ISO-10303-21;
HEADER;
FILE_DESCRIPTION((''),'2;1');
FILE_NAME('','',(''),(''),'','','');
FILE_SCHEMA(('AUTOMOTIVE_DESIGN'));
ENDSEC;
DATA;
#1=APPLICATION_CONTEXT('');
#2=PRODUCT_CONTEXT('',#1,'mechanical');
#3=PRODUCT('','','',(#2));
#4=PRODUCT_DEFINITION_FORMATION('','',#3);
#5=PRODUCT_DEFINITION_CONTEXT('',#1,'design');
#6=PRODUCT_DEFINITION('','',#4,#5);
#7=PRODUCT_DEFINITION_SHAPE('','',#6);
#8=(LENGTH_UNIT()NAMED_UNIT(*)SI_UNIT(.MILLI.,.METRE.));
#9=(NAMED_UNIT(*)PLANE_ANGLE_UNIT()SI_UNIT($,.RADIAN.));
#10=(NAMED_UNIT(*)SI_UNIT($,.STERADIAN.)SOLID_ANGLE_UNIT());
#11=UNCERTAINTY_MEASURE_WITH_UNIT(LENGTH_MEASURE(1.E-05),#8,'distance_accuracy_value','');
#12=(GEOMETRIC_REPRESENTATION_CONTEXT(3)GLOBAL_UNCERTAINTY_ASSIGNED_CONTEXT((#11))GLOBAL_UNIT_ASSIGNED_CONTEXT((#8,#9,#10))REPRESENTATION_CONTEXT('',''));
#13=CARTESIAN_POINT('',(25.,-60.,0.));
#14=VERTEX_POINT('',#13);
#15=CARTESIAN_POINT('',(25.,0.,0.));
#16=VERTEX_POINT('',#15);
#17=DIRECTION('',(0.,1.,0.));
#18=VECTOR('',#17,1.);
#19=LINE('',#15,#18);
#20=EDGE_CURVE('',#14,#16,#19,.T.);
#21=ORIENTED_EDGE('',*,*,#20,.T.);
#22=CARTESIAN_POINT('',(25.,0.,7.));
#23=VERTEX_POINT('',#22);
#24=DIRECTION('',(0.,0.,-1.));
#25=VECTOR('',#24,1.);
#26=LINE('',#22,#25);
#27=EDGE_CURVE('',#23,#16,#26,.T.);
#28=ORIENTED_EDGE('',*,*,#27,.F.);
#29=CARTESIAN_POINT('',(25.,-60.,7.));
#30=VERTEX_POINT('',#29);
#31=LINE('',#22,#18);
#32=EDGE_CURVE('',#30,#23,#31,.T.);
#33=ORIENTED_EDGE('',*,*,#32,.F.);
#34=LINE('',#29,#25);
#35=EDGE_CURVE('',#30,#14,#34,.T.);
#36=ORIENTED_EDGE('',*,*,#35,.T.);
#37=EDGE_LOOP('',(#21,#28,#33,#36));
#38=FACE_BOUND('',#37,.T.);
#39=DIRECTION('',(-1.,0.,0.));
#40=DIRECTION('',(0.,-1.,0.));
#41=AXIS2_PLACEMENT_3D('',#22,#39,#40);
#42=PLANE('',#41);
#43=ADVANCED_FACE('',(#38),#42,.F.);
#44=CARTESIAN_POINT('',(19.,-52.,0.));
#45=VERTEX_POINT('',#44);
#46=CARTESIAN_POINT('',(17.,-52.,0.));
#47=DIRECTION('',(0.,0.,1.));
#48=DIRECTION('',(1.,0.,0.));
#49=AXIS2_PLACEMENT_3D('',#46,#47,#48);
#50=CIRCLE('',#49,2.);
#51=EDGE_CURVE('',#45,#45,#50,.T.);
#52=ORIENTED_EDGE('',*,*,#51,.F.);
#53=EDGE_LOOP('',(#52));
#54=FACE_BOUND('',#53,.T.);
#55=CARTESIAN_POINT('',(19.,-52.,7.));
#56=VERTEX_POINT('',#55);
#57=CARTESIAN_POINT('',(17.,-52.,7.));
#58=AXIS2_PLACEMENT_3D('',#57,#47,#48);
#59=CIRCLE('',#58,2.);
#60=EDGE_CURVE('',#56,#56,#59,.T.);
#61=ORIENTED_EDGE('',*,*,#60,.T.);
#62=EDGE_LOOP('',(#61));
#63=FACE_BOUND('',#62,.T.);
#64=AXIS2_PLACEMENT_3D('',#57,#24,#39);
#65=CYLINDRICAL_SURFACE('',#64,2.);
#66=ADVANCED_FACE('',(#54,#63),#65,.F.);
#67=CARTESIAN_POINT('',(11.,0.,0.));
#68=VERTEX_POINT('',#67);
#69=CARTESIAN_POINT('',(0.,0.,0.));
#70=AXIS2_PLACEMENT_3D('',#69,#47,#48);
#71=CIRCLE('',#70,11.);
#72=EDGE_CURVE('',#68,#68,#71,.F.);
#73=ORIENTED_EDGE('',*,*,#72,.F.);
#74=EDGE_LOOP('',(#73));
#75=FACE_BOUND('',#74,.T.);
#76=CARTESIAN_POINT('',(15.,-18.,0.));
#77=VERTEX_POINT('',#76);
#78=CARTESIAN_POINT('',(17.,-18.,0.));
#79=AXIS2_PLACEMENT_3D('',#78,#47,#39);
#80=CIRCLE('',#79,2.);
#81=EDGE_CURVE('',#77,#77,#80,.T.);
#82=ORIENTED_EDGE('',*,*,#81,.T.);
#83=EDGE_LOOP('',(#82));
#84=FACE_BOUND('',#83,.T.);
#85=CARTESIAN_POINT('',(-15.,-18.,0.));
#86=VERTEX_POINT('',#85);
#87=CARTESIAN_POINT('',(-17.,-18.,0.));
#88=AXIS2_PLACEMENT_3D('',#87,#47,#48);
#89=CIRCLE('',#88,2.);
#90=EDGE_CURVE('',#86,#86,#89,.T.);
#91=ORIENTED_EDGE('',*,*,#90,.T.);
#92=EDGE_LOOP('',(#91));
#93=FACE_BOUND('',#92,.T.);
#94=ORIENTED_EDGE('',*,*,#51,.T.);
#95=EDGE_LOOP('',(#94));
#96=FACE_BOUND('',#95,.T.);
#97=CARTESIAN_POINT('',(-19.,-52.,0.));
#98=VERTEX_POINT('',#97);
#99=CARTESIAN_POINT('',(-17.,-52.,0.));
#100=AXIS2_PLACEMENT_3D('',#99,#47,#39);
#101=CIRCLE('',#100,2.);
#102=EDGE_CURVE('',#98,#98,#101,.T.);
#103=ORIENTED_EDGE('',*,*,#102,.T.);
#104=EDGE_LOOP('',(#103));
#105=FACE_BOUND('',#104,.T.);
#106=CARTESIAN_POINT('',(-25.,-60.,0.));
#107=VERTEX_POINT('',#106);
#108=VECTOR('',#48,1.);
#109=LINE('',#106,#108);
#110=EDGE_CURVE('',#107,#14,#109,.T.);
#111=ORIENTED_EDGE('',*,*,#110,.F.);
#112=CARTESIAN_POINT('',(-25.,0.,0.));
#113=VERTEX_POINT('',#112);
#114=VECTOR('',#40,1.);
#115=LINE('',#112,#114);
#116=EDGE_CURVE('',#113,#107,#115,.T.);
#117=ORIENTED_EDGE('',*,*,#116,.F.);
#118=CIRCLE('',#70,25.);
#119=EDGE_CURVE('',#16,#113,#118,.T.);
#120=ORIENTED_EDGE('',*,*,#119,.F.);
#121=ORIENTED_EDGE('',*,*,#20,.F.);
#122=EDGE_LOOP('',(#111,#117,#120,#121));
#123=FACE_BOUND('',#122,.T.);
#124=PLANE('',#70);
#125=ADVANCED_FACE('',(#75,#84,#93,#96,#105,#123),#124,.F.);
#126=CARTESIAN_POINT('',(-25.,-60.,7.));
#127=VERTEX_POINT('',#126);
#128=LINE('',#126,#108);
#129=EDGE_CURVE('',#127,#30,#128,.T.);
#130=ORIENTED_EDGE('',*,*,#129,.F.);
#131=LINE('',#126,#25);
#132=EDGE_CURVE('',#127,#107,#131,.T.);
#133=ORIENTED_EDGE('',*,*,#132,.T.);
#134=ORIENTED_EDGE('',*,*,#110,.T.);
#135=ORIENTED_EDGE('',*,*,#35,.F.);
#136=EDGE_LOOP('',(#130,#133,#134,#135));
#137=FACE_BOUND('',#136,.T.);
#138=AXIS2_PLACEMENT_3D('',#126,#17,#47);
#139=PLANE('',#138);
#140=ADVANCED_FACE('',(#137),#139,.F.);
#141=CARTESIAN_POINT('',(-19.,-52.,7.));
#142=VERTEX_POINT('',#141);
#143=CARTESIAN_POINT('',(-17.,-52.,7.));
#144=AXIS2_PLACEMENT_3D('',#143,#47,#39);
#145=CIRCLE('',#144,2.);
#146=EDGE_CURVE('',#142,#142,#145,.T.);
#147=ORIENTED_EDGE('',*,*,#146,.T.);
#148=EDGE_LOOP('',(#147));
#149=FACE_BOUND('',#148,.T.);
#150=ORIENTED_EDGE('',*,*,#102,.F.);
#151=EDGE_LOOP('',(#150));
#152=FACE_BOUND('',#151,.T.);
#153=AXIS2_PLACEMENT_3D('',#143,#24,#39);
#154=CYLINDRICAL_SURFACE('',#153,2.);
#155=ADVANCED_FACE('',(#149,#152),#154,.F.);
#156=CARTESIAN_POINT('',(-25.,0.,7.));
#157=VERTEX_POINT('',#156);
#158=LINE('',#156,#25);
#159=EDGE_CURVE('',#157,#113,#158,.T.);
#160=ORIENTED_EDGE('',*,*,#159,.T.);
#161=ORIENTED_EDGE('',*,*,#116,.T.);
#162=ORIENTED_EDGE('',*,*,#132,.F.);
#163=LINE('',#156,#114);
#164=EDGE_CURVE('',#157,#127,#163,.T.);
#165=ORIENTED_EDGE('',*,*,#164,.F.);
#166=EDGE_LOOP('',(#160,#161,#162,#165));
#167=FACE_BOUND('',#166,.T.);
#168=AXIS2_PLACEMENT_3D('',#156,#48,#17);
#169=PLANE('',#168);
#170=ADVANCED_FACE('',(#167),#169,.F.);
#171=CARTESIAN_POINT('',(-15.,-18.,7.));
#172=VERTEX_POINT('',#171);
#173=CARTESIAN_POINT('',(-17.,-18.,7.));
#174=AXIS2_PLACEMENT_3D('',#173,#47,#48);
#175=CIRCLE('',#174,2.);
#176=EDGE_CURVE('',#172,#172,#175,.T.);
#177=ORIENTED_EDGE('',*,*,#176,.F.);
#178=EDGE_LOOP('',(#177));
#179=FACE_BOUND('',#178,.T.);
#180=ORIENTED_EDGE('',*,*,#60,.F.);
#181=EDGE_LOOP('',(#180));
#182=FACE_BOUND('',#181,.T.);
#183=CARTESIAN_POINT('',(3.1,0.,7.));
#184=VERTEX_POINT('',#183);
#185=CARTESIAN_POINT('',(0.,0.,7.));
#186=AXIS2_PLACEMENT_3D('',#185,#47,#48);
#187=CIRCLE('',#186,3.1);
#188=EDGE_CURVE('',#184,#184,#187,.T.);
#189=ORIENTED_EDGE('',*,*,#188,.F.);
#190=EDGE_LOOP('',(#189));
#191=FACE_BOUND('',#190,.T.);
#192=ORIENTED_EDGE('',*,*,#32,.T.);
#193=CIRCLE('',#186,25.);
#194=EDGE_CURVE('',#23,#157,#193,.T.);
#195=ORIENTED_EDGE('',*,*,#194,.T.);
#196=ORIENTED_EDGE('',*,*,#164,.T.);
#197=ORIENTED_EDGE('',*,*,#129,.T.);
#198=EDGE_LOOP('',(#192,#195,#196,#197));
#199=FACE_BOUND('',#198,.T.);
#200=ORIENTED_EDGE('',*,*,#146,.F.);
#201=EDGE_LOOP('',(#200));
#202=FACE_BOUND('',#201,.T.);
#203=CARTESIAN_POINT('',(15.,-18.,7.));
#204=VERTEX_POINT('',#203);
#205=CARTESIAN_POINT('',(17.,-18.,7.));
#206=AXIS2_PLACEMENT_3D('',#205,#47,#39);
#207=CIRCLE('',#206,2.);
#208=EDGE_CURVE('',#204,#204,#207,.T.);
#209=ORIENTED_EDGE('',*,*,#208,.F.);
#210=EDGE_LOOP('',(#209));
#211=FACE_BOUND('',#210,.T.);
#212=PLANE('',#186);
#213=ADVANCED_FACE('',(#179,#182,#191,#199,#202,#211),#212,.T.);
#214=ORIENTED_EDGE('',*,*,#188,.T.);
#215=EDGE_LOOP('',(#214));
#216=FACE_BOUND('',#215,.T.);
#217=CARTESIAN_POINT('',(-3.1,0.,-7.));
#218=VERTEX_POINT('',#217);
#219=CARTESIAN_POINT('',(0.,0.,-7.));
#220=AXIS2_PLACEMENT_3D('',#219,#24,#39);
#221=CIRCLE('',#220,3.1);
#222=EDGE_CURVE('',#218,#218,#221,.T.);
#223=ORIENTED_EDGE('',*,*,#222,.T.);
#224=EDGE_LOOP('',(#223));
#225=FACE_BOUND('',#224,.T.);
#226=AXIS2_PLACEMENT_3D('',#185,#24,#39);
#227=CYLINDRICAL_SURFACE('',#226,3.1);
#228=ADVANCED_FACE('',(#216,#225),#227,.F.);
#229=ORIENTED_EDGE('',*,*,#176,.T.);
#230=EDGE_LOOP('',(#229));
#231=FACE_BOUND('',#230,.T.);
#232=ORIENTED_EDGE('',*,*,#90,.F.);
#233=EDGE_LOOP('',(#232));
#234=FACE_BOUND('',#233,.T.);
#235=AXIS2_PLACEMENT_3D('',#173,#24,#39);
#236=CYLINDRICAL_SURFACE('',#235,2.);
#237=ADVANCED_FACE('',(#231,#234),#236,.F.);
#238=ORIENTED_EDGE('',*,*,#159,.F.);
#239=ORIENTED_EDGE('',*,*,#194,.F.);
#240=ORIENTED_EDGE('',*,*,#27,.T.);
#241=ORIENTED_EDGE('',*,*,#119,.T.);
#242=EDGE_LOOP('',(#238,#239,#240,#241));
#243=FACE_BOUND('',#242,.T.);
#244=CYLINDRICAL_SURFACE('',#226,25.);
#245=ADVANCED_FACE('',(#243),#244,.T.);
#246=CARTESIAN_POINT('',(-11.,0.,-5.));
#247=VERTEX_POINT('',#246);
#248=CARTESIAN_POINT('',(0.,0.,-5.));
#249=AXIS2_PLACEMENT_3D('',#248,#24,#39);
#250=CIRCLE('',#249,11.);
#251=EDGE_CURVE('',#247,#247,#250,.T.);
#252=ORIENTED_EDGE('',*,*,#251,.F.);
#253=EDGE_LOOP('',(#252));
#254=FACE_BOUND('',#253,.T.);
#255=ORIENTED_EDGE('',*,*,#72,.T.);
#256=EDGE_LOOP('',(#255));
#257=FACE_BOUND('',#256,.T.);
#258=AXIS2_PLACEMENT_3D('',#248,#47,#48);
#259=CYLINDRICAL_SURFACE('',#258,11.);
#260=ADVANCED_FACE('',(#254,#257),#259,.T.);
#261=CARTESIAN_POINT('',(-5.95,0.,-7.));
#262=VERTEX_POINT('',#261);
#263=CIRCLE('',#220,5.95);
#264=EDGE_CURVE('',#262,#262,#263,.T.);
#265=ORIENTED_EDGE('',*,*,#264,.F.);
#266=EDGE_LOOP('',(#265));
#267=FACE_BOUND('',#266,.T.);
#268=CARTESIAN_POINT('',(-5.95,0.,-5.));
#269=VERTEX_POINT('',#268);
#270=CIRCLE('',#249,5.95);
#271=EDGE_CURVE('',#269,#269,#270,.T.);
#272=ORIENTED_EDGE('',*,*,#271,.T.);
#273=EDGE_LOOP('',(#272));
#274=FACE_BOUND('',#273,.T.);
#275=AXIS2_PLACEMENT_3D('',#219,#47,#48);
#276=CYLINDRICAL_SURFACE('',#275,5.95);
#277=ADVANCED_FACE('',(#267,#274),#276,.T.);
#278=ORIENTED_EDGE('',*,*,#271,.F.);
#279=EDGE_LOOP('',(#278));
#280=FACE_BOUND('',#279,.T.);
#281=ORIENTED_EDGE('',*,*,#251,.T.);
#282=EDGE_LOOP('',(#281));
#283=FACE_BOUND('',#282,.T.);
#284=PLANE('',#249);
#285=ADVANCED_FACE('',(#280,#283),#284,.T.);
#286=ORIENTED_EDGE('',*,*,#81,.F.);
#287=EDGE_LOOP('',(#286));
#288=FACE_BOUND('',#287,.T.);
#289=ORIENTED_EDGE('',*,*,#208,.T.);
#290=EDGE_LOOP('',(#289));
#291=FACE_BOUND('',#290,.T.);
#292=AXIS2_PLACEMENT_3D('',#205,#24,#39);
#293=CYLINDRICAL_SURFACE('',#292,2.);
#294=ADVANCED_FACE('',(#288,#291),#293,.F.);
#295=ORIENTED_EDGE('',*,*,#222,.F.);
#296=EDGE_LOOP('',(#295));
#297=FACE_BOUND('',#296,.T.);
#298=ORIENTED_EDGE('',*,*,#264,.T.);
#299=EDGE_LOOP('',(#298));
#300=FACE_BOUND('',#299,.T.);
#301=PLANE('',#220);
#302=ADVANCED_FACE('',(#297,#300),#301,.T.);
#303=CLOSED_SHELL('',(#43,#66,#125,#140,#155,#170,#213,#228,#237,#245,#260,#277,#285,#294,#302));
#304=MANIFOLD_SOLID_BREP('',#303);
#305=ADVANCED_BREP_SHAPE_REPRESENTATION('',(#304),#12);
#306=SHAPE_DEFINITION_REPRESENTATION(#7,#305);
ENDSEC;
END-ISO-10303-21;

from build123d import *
from build123d.topology import SkipClean

# Parameters (mm, degrees)
SKIZZE1_R                       = 3.1
SKIZZE1_R_2                     = 2
AUFSATZ_LINEAR_AUSTRAGEN1_DEPTH = 7
AUFSATZ_LINEAR_START            = 7
SKIZZE2_R                       = 5.95
SKIZZE2_R_2                     = 3.1
AUFSATZ_LINEAR_AUSTRAGEN2_DEPTH = 7
AUFSATZ_LINEAR_START_2          = 5
SKIZZE3_R                       = 11
SKIZZE3_R_2                     = 5.95
AUFSATZ_LINEAR_AUSTRAGEN3_DEPTH = 5


with BuildPart() as part:
    # Skizze1 → Aufsatz-Linear austragen1 (new body)
    with BuildSketch(Plane.XY):
        with BuildLine():
            Line((-25, 0), (-25, -60))
            Line((-25, -60), (25, -60))
            Line((25, -60), (25, 0))
            ThreePointArc((25, 0), (0, 25), (-25, 0))
        make_face()
        Circle(SKIZZE1_R, mode=Mode.SUBTRACT)
        with Locations((-17, -18)):
            Circle(SKIZZE1_R_2, mode=Mode.SUBTRACT)
        with Locations(Location((-17, -52, 0), (0, 0, 180))):
            Circle(SKIZZE1_R_2, mode=Mode.SUBTRACT)
        with Locations(Location((17, -18, 0), (0, 0, 180))):
            Circle(SKIZZE1_R_2, mode=Mode.SUBTRACT)
        with Locations((17, -52)):
            Circle(SKIZZE1_R_2, mode=Mode.SUBTRACT)
    extrude(amount=AUFSATZ_LINEAR_AUSTRAGEN1_DEPTH)

    # Skizze2 → Aufsatz-Linear austragen2 (add)
    with SkipClean():  # the faces are left unmerged after this step: merging them gives an invalid solid
        with BuildSketch(Plane(origin=(0, 0, 0), x_dir=(-1, 0, 0), z_dir=(0, 0, -1)).offset(AUFSATZ_LINEAR_START)):
            with Locations(Location((0, 0, 0), (0, 0, 180))):
                Circle(SKIZZE2_R)
            Circle(SKIZZE2_R_2, mode=Mode.SUBTRACT)
        extrude(amount=-AUFSATZ_LINEAR_AUSTRAGEN2_DEPTH)

    # Skizze3 → Aufsatz-Linear austragen3 (add)
    with SkipClean():  # the faces are left unmerged after this step: merging them gives an invalid solid
        with BuildSketch(Plane(origin=(0, 0, 0), x_dir=(-1, 0, 0), z_dir=(0, 0, -1)).offset(AUFSATZ_LINEAR_START_2)):
            with Locations(Location((0, 0, 0), (0, 0, 180))):
                Circle(SKIZZE3_R)
            Circle(SKIZZE3_R_2, mode=Mode.SUBTRACT)
        extrude(amount=-AUFSATZ_LINEAR_AUSTRAGEN3_DEPTH)


solid = part.part
